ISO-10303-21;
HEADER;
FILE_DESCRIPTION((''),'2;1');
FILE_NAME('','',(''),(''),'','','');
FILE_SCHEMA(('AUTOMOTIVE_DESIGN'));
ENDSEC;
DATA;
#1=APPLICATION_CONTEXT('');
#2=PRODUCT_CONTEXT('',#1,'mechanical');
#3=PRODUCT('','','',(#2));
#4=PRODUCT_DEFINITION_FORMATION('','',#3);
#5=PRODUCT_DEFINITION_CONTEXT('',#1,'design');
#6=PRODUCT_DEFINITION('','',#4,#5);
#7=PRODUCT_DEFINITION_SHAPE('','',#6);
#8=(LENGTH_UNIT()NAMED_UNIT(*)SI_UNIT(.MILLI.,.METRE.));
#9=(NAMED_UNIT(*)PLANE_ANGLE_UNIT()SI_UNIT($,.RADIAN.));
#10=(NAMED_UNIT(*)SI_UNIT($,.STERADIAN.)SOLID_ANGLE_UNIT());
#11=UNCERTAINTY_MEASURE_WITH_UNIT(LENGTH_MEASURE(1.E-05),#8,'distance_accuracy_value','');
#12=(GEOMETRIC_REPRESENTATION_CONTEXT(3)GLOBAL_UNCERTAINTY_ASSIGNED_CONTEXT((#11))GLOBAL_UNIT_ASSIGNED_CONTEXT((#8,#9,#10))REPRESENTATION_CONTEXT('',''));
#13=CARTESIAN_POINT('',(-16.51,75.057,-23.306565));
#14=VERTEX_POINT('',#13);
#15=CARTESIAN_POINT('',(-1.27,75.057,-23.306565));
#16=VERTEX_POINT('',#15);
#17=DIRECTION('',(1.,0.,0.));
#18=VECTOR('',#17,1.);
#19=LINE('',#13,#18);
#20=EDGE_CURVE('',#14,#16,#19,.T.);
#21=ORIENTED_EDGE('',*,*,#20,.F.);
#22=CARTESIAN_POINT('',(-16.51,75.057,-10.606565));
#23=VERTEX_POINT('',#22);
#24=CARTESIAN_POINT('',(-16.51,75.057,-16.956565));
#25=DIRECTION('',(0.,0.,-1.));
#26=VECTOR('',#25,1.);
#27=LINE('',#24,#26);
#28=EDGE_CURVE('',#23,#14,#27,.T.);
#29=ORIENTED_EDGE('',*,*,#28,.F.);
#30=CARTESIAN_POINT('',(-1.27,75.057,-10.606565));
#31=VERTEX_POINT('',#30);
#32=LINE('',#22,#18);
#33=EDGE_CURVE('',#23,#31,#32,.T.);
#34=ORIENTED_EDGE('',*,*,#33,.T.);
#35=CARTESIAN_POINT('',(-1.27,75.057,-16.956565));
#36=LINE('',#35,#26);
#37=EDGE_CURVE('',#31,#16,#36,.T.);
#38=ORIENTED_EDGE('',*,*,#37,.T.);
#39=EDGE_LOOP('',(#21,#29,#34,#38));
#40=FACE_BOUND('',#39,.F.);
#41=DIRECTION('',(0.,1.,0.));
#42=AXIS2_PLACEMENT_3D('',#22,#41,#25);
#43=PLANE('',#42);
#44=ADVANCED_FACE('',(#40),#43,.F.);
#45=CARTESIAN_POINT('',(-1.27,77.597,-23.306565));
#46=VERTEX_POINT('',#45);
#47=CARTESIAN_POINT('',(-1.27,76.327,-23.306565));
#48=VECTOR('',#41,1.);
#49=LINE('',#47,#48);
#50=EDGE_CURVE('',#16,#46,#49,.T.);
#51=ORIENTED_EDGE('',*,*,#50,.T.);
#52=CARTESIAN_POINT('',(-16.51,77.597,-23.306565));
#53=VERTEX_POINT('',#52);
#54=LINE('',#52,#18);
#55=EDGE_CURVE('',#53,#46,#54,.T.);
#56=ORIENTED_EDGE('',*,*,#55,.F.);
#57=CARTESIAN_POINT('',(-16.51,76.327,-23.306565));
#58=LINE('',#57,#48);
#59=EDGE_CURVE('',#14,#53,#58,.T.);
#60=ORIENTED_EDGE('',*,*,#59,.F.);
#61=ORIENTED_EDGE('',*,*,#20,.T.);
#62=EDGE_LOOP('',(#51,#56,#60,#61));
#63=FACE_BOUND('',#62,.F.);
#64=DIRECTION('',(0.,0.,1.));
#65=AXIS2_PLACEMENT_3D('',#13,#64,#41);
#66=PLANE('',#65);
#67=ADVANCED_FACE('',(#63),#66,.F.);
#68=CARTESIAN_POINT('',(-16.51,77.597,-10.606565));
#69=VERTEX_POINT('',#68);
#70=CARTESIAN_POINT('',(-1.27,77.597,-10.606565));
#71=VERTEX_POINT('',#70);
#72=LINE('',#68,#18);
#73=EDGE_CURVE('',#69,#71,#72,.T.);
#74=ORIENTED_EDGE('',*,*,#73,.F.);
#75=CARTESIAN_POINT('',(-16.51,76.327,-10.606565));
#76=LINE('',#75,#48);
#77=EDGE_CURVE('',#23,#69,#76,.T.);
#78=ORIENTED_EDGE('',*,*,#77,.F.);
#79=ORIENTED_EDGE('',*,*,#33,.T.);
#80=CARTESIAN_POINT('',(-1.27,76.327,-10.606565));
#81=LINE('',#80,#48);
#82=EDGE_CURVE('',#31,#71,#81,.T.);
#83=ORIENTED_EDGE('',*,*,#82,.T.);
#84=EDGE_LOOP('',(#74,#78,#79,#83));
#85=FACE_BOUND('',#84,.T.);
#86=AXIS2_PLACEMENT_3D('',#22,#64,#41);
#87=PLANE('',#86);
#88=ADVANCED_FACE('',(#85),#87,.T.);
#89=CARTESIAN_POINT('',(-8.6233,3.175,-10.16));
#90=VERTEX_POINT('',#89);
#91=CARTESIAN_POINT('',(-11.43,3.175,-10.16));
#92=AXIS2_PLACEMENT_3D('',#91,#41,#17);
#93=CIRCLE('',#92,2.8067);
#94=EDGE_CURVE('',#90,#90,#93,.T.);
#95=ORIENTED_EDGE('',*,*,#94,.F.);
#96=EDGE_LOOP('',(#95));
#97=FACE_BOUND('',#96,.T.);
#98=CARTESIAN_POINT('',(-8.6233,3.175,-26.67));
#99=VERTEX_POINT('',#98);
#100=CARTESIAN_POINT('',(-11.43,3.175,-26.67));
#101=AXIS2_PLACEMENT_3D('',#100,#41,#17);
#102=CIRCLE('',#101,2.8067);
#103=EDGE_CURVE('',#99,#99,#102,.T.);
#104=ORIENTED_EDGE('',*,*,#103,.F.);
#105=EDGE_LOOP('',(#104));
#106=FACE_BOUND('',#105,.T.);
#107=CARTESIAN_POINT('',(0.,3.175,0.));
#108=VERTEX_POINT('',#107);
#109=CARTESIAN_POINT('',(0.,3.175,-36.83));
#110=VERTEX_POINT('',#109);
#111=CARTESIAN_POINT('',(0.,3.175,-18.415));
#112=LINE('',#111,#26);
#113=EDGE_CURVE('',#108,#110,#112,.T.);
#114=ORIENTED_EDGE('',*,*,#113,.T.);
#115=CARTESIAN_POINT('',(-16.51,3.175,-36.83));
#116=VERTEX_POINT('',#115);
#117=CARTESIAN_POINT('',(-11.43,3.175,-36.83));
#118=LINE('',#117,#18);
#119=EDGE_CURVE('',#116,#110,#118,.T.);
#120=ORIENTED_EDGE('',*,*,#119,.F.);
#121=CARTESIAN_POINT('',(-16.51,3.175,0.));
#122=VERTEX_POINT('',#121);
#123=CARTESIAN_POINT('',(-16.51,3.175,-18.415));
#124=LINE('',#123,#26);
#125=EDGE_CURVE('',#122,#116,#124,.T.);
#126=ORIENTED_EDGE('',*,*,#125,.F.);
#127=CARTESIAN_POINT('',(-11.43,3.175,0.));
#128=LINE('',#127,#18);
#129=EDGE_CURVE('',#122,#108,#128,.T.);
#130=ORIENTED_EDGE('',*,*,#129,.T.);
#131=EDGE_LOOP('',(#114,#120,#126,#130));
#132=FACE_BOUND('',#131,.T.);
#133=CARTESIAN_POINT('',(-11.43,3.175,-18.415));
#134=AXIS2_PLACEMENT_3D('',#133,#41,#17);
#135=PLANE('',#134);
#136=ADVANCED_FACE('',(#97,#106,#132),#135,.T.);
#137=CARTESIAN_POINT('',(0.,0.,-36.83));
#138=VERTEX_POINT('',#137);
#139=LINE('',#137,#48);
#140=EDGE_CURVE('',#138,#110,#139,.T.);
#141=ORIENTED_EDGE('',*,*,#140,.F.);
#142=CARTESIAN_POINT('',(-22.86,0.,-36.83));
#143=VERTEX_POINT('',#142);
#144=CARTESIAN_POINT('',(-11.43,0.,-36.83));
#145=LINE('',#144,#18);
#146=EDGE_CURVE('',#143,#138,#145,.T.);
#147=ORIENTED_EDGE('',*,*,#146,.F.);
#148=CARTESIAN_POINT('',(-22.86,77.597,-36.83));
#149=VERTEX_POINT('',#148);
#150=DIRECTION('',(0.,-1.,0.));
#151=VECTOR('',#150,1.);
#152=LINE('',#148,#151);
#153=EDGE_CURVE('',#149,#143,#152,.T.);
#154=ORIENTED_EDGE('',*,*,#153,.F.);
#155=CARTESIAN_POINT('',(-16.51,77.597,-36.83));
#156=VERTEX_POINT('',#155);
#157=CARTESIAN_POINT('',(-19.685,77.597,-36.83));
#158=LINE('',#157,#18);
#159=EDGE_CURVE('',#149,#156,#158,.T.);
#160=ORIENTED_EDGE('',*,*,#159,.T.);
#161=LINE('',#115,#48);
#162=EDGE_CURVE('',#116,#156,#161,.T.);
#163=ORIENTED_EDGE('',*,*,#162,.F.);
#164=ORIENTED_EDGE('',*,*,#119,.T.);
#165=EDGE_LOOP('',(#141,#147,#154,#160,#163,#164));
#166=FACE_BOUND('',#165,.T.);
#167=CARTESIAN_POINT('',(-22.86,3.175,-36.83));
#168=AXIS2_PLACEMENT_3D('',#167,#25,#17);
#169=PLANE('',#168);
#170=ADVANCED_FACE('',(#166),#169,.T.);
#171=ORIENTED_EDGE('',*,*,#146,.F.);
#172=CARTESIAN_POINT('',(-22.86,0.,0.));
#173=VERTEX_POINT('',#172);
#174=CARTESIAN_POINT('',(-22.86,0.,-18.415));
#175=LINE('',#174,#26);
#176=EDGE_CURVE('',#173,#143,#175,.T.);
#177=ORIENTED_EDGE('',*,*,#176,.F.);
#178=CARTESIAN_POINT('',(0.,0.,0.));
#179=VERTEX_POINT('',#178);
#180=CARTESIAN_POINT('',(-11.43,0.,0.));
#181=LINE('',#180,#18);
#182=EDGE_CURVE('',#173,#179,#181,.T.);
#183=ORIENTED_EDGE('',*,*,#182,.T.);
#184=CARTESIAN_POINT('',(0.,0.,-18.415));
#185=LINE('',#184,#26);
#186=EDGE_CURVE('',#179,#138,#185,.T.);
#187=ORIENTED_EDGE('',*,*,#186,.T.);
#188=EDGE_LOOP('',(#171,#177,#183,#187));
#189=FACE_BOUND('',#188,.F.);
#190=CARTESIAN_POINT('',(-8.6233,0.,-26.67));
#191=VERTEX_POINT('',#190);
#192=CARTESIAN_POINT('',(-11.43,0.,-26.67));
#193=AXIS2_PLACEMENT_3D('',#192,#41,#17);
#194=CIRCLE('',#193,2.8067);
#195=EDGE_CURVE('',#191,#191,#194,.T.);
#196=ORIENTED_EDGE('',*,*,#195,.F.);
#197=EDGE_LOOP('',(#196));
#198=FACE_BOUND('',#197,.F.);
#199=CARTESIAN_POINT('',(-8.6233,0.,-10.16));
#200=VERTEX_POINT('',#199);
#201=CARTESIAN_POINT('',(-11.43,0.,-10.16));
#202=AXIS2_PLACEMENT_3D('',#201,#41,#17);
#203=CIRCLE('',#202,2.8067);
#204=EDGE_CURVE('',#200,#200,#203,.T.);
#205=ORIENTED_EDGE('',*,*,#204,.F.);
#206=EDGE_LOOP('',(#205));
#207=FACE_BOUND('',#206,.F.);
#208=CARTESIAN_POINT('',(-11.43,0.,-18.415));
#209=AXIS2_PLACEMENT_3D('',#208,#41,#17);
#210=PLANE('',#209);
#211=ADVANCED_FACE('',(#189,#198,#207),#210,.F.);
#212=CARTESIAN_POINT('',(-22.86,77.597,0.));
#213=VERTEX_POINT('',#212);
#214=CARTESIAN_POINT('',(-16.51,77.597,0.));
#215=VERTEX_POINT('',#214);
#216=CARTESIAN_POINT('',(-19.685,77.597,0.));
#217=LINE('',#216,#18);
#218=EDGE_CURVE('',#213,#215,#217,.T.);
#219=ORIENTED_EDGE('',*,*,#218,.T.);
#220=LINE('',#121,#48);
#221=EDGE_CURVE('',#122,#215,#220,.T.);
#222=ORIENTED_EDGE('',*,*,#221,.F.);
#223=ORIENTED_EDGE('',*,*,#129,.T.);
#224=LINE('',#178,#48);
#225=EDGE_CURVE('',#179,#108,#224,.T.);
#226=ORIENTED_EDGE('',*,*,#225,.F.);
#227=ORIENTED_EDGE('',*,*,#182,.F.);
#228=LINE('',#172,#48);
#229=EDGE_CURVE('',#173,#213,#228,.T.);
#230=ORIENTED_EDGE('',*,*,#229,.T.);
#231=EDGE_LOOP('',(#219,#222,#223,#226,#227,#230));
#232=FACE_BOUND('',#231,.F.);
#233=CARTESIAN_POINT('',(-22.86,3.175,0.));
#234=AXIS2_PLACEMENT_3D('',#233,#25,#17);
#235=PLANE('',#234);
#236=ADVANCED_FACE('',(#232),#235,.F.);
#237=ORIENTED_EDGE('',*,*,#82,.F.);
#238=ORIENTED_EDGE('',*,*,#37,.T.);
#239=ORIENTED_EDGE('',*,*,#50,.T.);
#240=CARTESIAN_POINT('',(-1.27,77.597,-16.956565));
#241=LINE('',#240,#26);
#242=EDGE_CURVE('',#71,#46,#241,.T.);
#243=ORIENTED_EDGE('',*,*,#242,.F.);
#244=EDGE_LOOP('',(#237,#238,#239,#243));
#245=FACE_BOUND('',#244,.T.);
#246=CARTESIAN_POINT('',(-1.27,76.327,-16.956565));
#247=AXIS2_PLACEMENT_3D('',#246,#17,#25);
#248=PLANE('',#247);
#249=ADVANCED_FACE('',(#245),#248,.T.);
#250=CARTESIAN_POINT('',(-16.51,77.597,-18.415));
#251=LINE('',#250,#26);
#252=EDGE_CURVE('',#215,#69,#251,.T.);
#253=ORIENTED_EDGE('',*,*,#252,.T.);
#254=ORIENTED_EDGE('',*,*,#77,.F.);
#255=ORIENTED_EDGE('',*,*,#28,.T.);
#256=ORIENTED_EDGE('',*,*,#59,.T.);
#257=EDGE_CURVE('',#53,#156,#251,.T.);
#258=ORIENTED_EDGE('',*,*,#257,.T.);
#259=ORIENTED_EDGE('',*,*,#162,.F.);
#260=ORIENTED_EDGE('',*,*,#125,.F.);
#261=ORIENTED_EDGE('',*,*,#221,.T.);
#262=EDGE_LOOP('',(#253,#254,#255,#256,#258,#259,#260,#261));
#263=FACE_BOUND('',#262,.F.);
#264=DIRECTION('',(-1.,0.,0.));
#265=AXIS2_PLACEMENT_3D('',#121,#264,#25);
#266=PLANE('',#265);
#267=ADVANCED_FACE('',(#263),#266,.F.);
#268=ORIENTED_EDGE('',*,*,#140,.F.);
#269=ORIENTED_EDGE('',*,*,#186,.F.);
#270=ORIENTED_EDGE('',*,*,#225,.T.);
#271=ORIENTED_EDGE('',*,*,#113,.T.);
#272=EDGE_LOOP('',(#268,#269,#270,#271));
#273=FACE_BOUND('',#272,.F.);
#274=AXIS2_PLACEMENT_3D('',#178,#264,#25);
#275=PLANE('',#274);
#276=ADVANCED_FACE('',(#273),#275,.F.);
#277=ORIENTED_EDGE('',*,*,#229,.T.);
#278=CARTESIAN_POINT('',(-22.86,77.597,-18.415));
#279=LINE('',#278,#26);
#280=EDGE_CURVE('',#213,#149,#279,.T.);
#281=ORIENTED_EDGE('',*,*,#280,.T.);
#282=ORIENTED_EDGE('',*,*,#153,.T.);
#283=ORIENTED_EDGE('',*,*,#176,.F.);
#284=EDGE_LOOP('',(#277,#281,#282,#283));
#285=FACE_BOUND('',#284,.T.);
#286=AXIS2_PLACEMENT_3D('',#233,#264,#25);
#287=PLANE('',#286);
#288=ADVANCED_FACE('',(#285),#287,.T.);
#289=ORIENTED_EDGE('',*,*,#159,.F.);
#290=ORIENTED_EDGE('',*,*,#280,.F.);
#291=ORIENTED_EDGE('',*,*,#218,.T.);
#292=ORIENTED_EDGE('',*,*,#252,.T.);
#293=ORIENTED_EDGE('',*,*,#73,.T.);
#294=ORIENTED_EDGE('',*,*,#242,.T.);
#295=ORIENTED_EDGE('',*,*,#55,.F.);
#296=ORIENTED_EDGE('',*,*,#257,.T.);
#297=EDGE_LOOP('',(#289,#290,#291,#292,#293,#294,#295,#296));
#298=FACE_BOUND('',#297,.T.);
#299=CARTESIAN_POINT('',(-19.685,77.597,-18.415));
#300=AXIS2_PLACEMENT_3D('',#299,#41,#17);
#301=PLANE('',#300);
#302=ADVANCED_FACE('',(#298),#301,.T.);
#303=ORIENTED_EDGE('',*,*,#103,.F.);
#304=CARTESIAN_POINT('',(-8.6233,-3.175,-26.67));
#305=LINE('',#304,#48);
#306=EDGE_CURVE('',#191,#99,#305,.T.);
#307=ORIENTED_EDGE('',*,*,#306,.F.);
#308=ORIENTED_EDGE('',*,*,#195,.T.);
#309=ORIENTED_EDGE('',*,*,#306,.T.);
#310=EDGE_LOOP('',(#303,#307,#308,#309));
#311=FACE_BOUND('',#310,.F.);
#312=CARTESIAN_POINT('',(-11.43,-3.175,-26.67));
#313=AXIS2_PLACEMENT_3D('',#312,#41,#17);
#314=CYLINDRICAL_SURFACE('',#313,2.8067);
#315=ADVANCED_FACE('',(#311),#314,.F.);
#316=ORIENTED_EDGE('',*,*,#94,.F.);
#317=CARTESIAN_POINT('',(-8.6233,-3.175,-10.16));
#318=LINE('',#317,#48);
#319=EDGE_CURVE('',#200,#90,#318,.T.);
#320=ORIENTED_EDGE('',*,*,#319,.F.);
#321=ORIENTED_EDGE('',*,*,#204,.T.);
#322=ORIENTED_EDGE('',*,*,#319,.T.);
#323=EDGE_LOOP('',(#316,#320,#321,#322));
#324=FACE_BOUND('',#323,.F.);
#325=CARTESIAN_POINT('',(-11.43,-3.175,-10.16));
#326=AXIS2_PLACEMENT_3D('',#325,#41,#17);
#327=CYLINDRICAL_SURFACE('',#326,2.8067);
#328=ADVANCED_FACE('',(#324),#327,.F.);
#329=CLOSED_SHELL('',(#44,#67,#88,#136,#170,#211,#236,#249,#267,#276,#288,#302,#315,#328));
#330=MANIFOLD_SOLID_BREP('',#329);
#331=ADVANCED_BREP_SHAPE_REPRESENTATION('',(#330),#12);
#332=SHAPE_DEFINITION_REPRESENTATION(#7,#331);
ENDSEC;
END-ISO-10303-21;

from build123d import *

# Parameters (mm, degrees)
SKETCH1_W                      = 22.86
SKETCH1_H                      = 36.83
BOSS_EXTRUDE1_DEPTH            = 3.175
SKETCH3_W                      = 6.35
SKETCH3_H                      = 36.83
BOSS_EXTRUDE2_DEPTH            = 74.422
SKETCH4_W                      = 12.7
SKETCH4_H                      = 2.54
BOSS_EXTRUDE3_DEPTH            = 15.24
F_2_0_221_DIAMETER_HOLE1_D     = 5.6134
F_2_0_221_DIAMETER_HOLE1_DEPTH = 3.175


with BuildPart() as part:
    # Sketch1 → Boss-Extrude1 (new body)
    with BuildSketch(Plane(origin=(0, 0, 0), x_dir=(1, 0, 0), z_dir=(0, 1, 0))):
        with Locations((-11.43, 18.415)):
            Rectangle(SKETCH1_W, SKETCH1_H)
    extrude(amount=BOSS_EXTRUDE1_DEPTH)

    # Sketch3 → Boss-Extrude2 (add)
    with BuildSketch(Plane(origin=(0, 3.175, 0), x_dir=(1, 0, 0), z_dir=(0, 1, 0))):
        with Locations((-19.685, 18.415)):
            Rectangle(SKETCH3_W, SKETCH3_H)
    extrude(amount=BOSS_EXTRUDE2_DEPTH)

    # Sketch4 → Boss-Extrude3 (add)
    with BuildSketch(Plane(origin=(-16.51, 0, 0), x_dir=(0, 0, -1), z_dir=(1, 0, 0))):
        with Locations((16.956564639, 76.327)):
            Rectangle(SKETCH4_W, SKETCH4_H)
    extrude(amount=BOSS_EXTRUDE3_DEPTH)

    # #2 (0.221) Diameter Hole1
    with Locations(Plane(origin=(0, 0, 0), x_dir=(-1, 0, 0), z_dir=(0, -1, 0))):
        with Locations((11.43, 10.16), (11.43, 26.67)):
            Hole(F_2_0_221_DIAMETER_HOLE1_D / 2, depth=F_2_0_221_DIAMETER_HOLE1_DEPTH)


solid = part.part
